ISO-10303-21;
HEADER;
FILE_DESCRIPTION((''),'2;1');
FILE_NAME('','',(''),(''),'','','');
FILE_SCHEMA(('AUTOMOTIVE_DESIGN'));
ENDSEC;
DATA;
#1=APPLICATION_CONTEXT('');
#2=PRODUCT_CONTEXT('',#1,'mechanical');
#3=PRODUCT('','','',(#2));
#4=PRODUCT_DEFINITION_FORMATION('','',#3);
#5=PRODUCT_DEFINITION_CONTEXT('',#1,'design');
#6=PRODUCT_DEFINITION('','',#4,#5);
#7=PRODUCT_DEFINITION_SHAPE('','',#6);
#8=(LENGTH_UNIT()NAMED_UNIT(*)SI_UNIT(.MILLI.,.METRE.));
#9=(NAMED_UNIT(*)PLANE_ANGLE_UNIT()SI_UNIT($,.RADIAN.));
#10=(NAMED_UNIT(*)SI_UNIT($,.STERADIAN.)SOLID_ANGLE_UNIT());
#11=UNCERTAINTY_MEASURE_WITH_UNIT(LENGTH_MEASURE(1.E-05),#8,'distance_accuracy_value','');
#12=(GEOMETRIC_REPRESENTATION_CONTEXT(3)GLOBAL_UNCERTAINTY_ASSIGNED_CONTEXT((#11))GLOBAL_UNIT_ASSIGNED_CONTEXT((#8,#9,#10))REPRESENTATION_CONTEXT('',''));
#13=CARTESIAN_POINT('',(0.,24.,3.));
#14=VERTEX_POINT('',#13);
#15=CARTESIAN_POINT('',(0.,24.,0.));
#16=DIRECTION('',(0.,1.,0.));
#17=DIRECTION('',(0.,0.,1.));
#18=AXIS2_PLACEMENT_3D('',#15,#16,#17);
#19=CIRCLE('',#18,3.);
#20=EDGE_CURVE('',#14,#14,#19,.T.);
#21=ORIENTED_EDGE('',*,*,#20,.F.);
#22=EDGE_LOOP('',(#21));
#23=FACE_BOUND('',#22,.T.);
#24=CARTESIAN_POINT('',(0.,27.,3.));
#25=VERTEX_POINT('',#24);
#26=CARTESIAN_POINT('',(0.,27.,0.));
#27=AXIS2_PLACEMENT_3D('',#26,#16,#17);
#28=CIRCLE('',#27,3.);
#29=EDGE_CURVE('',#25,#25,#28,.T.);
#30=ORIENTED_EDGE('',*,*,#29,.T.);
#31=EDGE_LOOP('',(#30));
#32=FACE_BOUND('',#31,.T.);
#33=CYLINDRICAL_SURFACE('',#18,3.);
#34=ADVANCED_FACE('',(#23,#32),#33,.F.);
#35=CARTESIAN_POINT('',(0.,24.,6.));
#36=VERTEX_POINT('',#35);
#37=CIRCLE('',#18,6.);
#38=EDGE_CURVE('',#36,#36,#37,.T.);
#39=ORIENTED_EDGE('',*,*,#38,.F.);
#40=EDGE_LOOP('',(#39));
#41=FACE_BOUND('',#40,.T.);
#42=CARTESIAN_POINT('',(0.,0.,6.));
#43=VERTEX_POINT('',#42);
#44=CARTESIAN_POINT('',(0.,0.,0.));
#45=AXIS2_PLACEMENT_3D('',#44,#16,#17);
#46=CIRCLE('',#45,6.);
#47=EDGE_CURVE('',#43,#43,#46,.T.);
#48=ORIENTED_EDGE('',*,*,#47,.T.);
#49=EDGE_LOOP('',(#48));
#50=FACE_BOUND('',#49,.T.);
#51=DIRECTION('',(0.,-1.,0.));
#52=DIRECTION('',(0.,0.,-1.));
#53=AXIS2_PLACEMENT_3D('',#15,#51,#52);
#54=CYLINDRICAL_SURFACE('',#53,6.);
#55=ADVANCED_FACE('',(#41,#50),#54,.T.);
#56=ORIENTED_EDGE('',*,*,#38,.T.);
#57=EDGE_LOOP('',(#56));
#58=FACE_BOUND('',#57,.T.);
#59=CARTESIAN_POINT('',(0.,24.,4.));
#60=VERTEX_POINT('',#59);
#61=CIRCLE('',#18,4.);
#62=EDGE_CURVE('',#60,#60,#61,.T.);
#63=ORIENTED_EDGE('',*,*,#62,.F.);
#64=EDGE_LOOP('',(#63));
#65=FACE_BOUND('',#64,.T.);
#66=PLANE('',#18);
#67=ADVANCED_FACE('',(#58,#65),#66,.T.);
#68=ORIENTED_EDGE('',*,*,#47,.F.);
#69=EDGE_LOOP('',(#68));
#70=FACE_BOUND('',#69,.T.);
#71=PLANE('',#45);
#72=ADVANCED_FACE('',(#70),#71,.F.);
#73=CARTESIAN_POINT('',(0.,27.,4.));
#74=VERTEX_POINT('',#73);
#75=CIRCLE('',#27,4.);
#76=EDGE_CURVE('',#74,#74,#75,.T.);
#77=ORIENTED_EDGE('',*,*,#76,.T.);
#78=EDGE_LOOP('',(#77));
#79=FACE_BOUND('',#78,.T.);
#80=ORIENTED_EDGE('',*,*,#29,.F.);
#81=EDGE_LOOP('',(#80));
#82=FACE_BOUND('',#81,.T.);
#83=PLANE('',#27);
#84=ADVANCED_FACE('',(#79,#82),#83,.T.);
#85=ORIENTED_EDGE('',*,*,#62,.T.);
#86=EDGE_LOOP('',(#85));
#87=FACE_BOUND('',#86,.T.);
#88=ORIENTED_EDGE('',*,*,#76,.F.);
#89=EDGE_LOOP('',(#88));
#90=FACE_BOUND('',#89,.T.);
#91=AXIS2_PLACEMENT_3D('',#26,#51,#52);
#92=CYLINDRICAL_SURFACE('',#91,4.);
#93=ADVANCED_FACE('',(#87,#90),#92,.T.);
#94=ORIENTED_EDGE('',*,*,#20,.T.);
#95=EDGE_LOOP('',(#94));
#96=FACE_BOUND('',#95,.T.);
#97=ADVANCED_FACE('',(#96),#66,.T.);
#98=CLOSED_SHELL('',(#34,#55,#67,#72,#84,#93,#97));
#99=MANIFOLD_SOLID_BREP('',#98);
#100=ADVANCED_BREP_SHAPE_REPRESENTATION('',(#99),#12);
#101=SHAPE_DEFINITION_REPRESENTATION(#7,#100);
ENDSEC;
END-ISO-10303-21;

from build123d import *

# Parameters (mm, degrees)
SKETCH2_R           = 6
BOSS_EXTRUDE1_DEPTH = 24
SKETCH3_R           = 4
BOSS_EXTRUDE2_DEPTH = 3
SKETCH4_R           = 3
CUT_EXTRUDE1_DEPTH  = 3


with BuildPart() as part:
    # Sketch2 → Boss-Extrude1 (new body)
    with BuildSketch(Plane(origin=(0, 0, 0), x_dir=(1, 0, 0), z_dir=(0, 1, 0))):
        Circle(SKETCH2_R)
    extrude(amount=BOSS_EXTRUDE1_DEPTH)

    # Sketch3 → Boss-Extrude2 (add)
    with BuildSketch(Plane(origin=(0, 24, 0), x_dir=(1, 0, 0), z_dir=(0, 1, 0))):
        Circle(SKETCH3_R)
    extrude(amount=BOSS_EXTRUDE2_DEPTH)

    # Sketch4 → Cut-Extrude1 (cut)
    with BuildSketch(Plane(origin=(0, 27, 0), x_dir=(1, 0, 0), z_dir=(0, 1, 0))):
        Circle(SKETCH4_R)
    extrude(amount=-CUT_EXTRUDE1_DEPTH, mode=Mode.SUBTRACT)


solid = part.part
